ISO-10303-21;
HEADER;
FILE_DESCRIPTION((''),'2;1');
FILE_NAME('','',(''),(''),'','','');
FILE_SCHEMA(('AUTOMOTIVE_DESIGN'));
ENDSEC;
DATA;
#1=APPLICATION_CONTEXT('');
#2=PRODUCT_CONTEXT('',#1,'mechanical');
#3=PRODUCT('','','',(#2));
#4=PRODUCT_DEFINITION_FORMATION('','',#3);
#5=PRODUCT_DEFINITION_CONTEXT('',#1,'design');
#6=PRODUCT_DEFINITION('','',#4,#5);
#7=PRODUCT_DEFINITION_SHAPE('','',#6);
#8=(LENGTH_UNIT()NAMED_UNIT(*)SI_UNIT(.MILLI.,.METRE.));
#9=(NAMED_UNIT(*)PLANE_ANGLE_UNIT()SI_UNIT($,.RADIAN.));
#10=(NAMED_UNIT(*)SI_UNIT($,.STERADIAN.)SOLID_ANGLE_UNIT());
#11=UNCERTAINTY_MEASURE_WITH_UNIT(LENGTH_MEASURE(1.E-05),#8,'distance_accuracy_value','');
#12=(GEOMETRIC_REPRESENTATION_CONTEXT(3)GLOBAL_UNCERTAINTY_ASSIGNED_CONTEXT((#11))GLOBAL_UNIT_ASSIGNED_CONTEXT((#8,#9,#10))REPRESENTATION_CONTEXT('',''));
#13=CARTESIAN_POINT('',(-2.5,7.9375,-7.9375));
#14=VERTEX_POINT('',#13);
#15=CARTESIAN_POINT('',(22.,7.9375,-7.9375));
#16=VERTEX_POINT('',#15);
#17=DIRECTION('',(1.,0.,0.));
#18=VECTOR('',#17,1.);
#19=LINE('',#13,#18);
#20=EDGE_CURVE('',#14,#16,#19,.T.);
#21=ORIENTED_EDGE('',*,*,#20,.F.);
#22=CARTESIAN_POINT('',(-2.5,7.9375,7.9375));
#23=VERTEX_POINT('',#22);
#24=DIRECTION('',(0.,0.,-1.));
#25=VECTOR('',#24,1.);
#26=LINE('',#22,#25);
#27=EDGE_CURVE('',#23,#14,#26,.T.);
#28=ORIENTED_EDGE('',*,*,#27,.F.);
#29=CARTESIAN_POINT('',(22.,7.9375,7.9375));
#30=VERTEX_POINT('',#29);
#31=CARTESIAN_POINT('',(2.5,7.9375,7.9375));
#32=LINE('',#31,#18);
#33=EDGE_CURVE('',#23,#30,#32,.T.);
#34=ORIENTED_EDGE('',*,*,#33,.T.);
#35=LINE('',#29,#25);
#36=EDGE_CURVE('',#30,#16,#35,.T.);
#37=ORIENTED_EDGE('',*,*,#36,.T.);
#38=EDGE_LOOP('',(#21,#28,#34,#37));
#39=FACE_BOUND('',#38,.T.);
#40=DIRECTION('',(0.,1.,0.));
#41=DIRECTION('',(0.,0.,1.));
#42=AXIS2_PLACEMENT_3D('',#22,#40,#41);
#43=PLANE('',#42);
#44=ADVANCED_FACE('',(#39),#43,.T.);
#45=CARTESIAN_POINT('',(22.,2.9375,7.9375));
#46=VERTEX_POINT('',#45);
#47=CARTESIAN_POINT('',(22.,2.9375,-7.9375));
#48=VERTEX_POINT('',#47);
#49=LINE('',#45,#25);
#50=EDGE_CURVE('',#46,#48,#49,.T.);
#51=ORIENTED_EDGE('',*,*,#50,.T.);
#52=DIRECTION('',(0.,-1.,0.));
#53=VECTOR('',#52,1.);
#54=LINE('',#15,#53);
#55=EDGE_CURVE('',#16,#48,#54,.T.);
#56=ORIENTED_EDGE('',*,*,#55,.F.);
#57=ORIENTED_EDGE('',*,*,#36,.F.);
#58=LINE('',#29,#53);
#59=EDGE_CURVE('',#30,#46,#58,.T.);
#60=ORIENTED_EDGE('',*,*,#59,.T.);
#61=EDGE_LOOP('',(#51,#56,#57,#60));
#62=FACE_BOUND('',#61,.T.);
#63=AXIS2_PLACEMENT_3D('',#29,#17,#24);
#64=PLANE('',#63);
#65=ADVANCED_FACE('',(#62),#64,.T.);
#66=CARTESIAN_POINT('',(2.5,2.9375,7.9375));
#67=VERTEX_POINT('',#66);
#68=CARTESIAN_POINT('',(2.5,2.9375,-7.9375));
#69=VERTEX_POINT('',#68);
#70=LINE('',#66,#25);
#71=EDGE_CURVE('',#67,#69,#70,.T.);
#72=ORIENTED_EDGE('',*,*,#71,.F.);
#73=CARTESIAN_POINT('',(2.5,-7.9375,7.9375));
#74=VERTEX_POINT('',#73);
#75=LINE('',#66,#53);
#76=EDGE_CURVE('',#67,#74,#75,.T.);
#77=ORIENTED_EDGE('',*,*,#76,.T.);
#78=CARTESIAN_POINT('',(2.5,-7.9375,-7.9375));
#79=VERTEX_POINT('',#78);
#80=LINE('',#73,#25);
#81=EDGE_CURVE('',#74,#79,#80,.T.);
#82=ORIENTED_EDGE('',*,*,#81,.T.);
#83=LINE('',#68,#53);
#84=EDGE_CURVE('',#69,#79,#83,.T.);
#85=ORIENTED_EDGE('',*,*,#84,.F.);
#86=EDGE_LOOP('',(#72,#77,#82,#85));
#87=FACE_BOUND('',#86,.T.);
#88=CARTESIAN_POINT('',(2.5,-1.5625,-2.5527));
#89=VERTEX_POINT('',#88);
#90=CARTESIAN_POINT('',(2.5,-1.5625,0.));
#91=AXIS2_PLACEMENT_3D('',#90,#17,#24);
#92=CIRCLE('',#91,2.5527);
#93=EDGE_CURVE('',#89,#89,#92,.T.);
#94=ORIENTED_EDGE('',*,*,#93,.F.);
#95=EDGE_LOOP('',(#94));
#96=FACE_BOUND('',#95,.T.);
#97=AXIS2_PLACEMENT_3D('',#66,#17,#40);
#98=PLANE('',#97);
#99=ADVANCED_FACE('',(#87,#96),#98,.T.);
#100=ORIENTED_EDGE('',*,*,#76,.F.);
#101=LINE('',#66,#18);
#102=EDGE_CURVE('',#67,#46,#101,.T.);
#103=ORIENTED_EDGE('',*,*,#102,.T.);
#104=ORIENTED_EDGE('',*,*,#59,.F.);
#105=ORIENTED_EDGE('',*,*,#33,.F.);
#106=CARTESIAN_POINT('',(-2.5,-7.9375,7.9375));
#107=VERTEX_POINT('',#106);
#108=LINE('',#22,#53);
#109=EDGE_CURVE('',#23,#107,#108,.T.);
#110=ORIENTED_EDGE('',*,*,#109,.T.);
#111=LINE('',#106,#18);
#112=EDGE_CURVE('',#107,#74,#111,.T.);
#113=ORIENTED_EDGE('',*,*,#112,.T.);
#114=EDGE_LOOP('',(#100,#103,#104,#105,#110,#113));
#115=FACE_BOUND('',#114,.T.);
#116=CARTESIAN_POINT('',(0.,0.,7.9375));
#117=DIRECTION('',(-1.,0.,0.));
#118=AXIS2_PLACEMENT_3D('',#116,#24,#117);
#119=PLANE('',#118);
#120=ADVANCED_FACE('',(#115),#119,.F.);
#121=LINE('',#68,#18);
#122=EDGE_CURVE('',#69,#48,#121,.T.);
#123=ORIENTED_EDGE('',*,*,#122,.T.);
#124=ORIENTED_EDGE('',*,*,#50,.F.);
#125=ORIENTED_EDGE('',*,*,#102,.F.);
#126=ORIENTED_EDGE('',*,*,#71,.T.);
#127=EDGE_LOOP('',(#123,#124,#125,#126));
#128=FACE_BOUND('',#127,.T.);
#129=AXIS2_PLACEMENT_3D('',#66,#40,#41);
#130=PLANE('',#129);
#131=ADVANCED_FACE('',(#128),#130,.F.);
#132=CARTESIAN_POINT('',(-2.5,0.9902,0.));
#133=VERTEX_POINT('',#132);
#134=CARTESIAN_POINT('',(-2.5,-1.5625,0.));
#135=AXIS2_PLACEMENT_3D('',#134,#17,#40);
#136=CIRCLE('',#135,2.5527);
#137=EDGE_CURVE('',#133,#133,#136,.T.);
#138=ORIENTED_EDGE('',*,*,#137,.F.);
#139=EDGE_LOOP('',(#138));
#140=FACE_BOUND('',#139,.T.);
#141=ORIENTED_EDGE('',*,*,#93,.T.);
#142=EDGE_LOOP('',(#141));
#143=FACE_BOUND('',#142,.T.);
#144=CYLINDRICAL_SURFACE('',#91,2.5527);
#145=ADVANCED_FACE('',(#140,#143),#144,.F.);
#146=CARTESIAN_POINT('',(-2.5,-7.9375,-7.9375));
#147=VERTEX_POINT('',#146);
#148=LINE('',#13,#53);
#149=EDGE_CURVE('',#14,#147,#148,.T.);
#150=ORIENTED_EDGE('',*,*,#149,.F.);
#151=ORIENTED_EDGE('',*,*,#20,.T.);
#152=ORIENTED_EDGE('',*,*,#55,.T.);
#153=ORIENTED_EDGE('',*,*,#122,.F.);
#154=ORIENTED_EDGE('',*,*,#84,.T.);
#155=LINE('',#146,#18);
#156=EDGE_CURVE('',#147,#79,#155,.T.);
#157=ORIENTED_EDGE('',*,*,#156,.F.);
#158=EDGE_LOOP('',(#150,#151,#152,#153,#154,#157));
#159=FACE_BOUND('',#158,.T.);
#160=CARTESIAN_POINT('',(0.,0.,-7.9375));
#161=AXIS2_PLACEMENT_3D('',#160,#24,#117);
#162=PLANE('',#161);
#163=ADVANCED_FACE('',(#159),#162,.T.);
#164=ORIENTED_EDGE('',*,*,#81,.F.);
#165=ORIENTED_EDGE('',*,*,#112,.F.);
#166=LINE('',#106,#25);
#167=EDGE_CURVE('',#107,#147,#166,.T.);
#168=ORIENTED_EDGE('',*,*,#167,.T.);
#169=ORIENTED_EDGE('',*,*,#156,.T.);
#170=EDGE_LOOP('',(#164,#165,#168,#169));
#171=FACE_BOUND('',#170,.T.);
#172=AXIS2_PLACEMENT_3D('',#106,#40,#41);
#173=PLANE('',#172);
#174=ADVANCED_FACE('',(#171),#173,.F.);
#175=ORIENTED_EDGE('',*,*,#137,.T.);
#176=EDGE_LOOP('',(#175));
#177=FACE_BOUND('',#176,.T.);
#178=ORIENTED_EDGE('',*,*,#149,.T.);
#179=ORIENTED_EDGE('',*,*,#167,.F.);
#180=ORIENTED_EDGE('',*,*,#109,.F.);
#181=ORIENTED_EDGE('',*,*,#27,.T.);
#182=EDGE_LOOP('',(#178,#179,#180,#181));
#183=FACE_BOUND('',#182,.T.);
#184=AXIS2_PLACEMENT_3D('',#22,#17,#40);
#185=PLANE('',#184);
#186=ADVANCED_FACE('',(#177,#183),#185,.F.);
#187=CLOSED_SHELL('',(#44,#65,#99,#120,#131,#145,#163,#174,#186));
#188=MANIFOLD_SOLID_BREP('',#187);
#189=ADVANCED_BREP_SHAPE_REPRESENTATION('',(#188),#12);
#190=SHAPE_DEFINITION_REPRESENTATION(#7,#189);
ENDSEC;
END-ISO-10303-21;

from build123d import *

# Parameters (mm, degrees)
BOSS_EXTRUDE1_DEPTH    = 7.9375
F_10_CLEARANCE_HOLE1_D = 5.1054


with BuildPart() as part:
    # Sketch2 → Boss-Extrude1 (new, symmetric)
    with BuildSketch(Plane.XY):
        Polygon((-2.5, 7.9375), (2.5, 7.9375), (22, 7.9375), (22, 2.9375), (2.5, 2.9375), (2.5, -7.9375), (-2.5, -7.9375), align=None)
    extrude(amount=BOSS_EXTRUDE1_DEPTH, both=True)

    # #10 Clearance Hole1 (through all)
    with Locations(Plane(origin=(2.5, 0, 0), x_dir=(0, 0, -1), z_dir=(1, 0, 0))):
        with Locations((0, -1.5625)):
            Hole(F_10_CLEARANCE_HOLE1_D / 2)


solid = part.part
